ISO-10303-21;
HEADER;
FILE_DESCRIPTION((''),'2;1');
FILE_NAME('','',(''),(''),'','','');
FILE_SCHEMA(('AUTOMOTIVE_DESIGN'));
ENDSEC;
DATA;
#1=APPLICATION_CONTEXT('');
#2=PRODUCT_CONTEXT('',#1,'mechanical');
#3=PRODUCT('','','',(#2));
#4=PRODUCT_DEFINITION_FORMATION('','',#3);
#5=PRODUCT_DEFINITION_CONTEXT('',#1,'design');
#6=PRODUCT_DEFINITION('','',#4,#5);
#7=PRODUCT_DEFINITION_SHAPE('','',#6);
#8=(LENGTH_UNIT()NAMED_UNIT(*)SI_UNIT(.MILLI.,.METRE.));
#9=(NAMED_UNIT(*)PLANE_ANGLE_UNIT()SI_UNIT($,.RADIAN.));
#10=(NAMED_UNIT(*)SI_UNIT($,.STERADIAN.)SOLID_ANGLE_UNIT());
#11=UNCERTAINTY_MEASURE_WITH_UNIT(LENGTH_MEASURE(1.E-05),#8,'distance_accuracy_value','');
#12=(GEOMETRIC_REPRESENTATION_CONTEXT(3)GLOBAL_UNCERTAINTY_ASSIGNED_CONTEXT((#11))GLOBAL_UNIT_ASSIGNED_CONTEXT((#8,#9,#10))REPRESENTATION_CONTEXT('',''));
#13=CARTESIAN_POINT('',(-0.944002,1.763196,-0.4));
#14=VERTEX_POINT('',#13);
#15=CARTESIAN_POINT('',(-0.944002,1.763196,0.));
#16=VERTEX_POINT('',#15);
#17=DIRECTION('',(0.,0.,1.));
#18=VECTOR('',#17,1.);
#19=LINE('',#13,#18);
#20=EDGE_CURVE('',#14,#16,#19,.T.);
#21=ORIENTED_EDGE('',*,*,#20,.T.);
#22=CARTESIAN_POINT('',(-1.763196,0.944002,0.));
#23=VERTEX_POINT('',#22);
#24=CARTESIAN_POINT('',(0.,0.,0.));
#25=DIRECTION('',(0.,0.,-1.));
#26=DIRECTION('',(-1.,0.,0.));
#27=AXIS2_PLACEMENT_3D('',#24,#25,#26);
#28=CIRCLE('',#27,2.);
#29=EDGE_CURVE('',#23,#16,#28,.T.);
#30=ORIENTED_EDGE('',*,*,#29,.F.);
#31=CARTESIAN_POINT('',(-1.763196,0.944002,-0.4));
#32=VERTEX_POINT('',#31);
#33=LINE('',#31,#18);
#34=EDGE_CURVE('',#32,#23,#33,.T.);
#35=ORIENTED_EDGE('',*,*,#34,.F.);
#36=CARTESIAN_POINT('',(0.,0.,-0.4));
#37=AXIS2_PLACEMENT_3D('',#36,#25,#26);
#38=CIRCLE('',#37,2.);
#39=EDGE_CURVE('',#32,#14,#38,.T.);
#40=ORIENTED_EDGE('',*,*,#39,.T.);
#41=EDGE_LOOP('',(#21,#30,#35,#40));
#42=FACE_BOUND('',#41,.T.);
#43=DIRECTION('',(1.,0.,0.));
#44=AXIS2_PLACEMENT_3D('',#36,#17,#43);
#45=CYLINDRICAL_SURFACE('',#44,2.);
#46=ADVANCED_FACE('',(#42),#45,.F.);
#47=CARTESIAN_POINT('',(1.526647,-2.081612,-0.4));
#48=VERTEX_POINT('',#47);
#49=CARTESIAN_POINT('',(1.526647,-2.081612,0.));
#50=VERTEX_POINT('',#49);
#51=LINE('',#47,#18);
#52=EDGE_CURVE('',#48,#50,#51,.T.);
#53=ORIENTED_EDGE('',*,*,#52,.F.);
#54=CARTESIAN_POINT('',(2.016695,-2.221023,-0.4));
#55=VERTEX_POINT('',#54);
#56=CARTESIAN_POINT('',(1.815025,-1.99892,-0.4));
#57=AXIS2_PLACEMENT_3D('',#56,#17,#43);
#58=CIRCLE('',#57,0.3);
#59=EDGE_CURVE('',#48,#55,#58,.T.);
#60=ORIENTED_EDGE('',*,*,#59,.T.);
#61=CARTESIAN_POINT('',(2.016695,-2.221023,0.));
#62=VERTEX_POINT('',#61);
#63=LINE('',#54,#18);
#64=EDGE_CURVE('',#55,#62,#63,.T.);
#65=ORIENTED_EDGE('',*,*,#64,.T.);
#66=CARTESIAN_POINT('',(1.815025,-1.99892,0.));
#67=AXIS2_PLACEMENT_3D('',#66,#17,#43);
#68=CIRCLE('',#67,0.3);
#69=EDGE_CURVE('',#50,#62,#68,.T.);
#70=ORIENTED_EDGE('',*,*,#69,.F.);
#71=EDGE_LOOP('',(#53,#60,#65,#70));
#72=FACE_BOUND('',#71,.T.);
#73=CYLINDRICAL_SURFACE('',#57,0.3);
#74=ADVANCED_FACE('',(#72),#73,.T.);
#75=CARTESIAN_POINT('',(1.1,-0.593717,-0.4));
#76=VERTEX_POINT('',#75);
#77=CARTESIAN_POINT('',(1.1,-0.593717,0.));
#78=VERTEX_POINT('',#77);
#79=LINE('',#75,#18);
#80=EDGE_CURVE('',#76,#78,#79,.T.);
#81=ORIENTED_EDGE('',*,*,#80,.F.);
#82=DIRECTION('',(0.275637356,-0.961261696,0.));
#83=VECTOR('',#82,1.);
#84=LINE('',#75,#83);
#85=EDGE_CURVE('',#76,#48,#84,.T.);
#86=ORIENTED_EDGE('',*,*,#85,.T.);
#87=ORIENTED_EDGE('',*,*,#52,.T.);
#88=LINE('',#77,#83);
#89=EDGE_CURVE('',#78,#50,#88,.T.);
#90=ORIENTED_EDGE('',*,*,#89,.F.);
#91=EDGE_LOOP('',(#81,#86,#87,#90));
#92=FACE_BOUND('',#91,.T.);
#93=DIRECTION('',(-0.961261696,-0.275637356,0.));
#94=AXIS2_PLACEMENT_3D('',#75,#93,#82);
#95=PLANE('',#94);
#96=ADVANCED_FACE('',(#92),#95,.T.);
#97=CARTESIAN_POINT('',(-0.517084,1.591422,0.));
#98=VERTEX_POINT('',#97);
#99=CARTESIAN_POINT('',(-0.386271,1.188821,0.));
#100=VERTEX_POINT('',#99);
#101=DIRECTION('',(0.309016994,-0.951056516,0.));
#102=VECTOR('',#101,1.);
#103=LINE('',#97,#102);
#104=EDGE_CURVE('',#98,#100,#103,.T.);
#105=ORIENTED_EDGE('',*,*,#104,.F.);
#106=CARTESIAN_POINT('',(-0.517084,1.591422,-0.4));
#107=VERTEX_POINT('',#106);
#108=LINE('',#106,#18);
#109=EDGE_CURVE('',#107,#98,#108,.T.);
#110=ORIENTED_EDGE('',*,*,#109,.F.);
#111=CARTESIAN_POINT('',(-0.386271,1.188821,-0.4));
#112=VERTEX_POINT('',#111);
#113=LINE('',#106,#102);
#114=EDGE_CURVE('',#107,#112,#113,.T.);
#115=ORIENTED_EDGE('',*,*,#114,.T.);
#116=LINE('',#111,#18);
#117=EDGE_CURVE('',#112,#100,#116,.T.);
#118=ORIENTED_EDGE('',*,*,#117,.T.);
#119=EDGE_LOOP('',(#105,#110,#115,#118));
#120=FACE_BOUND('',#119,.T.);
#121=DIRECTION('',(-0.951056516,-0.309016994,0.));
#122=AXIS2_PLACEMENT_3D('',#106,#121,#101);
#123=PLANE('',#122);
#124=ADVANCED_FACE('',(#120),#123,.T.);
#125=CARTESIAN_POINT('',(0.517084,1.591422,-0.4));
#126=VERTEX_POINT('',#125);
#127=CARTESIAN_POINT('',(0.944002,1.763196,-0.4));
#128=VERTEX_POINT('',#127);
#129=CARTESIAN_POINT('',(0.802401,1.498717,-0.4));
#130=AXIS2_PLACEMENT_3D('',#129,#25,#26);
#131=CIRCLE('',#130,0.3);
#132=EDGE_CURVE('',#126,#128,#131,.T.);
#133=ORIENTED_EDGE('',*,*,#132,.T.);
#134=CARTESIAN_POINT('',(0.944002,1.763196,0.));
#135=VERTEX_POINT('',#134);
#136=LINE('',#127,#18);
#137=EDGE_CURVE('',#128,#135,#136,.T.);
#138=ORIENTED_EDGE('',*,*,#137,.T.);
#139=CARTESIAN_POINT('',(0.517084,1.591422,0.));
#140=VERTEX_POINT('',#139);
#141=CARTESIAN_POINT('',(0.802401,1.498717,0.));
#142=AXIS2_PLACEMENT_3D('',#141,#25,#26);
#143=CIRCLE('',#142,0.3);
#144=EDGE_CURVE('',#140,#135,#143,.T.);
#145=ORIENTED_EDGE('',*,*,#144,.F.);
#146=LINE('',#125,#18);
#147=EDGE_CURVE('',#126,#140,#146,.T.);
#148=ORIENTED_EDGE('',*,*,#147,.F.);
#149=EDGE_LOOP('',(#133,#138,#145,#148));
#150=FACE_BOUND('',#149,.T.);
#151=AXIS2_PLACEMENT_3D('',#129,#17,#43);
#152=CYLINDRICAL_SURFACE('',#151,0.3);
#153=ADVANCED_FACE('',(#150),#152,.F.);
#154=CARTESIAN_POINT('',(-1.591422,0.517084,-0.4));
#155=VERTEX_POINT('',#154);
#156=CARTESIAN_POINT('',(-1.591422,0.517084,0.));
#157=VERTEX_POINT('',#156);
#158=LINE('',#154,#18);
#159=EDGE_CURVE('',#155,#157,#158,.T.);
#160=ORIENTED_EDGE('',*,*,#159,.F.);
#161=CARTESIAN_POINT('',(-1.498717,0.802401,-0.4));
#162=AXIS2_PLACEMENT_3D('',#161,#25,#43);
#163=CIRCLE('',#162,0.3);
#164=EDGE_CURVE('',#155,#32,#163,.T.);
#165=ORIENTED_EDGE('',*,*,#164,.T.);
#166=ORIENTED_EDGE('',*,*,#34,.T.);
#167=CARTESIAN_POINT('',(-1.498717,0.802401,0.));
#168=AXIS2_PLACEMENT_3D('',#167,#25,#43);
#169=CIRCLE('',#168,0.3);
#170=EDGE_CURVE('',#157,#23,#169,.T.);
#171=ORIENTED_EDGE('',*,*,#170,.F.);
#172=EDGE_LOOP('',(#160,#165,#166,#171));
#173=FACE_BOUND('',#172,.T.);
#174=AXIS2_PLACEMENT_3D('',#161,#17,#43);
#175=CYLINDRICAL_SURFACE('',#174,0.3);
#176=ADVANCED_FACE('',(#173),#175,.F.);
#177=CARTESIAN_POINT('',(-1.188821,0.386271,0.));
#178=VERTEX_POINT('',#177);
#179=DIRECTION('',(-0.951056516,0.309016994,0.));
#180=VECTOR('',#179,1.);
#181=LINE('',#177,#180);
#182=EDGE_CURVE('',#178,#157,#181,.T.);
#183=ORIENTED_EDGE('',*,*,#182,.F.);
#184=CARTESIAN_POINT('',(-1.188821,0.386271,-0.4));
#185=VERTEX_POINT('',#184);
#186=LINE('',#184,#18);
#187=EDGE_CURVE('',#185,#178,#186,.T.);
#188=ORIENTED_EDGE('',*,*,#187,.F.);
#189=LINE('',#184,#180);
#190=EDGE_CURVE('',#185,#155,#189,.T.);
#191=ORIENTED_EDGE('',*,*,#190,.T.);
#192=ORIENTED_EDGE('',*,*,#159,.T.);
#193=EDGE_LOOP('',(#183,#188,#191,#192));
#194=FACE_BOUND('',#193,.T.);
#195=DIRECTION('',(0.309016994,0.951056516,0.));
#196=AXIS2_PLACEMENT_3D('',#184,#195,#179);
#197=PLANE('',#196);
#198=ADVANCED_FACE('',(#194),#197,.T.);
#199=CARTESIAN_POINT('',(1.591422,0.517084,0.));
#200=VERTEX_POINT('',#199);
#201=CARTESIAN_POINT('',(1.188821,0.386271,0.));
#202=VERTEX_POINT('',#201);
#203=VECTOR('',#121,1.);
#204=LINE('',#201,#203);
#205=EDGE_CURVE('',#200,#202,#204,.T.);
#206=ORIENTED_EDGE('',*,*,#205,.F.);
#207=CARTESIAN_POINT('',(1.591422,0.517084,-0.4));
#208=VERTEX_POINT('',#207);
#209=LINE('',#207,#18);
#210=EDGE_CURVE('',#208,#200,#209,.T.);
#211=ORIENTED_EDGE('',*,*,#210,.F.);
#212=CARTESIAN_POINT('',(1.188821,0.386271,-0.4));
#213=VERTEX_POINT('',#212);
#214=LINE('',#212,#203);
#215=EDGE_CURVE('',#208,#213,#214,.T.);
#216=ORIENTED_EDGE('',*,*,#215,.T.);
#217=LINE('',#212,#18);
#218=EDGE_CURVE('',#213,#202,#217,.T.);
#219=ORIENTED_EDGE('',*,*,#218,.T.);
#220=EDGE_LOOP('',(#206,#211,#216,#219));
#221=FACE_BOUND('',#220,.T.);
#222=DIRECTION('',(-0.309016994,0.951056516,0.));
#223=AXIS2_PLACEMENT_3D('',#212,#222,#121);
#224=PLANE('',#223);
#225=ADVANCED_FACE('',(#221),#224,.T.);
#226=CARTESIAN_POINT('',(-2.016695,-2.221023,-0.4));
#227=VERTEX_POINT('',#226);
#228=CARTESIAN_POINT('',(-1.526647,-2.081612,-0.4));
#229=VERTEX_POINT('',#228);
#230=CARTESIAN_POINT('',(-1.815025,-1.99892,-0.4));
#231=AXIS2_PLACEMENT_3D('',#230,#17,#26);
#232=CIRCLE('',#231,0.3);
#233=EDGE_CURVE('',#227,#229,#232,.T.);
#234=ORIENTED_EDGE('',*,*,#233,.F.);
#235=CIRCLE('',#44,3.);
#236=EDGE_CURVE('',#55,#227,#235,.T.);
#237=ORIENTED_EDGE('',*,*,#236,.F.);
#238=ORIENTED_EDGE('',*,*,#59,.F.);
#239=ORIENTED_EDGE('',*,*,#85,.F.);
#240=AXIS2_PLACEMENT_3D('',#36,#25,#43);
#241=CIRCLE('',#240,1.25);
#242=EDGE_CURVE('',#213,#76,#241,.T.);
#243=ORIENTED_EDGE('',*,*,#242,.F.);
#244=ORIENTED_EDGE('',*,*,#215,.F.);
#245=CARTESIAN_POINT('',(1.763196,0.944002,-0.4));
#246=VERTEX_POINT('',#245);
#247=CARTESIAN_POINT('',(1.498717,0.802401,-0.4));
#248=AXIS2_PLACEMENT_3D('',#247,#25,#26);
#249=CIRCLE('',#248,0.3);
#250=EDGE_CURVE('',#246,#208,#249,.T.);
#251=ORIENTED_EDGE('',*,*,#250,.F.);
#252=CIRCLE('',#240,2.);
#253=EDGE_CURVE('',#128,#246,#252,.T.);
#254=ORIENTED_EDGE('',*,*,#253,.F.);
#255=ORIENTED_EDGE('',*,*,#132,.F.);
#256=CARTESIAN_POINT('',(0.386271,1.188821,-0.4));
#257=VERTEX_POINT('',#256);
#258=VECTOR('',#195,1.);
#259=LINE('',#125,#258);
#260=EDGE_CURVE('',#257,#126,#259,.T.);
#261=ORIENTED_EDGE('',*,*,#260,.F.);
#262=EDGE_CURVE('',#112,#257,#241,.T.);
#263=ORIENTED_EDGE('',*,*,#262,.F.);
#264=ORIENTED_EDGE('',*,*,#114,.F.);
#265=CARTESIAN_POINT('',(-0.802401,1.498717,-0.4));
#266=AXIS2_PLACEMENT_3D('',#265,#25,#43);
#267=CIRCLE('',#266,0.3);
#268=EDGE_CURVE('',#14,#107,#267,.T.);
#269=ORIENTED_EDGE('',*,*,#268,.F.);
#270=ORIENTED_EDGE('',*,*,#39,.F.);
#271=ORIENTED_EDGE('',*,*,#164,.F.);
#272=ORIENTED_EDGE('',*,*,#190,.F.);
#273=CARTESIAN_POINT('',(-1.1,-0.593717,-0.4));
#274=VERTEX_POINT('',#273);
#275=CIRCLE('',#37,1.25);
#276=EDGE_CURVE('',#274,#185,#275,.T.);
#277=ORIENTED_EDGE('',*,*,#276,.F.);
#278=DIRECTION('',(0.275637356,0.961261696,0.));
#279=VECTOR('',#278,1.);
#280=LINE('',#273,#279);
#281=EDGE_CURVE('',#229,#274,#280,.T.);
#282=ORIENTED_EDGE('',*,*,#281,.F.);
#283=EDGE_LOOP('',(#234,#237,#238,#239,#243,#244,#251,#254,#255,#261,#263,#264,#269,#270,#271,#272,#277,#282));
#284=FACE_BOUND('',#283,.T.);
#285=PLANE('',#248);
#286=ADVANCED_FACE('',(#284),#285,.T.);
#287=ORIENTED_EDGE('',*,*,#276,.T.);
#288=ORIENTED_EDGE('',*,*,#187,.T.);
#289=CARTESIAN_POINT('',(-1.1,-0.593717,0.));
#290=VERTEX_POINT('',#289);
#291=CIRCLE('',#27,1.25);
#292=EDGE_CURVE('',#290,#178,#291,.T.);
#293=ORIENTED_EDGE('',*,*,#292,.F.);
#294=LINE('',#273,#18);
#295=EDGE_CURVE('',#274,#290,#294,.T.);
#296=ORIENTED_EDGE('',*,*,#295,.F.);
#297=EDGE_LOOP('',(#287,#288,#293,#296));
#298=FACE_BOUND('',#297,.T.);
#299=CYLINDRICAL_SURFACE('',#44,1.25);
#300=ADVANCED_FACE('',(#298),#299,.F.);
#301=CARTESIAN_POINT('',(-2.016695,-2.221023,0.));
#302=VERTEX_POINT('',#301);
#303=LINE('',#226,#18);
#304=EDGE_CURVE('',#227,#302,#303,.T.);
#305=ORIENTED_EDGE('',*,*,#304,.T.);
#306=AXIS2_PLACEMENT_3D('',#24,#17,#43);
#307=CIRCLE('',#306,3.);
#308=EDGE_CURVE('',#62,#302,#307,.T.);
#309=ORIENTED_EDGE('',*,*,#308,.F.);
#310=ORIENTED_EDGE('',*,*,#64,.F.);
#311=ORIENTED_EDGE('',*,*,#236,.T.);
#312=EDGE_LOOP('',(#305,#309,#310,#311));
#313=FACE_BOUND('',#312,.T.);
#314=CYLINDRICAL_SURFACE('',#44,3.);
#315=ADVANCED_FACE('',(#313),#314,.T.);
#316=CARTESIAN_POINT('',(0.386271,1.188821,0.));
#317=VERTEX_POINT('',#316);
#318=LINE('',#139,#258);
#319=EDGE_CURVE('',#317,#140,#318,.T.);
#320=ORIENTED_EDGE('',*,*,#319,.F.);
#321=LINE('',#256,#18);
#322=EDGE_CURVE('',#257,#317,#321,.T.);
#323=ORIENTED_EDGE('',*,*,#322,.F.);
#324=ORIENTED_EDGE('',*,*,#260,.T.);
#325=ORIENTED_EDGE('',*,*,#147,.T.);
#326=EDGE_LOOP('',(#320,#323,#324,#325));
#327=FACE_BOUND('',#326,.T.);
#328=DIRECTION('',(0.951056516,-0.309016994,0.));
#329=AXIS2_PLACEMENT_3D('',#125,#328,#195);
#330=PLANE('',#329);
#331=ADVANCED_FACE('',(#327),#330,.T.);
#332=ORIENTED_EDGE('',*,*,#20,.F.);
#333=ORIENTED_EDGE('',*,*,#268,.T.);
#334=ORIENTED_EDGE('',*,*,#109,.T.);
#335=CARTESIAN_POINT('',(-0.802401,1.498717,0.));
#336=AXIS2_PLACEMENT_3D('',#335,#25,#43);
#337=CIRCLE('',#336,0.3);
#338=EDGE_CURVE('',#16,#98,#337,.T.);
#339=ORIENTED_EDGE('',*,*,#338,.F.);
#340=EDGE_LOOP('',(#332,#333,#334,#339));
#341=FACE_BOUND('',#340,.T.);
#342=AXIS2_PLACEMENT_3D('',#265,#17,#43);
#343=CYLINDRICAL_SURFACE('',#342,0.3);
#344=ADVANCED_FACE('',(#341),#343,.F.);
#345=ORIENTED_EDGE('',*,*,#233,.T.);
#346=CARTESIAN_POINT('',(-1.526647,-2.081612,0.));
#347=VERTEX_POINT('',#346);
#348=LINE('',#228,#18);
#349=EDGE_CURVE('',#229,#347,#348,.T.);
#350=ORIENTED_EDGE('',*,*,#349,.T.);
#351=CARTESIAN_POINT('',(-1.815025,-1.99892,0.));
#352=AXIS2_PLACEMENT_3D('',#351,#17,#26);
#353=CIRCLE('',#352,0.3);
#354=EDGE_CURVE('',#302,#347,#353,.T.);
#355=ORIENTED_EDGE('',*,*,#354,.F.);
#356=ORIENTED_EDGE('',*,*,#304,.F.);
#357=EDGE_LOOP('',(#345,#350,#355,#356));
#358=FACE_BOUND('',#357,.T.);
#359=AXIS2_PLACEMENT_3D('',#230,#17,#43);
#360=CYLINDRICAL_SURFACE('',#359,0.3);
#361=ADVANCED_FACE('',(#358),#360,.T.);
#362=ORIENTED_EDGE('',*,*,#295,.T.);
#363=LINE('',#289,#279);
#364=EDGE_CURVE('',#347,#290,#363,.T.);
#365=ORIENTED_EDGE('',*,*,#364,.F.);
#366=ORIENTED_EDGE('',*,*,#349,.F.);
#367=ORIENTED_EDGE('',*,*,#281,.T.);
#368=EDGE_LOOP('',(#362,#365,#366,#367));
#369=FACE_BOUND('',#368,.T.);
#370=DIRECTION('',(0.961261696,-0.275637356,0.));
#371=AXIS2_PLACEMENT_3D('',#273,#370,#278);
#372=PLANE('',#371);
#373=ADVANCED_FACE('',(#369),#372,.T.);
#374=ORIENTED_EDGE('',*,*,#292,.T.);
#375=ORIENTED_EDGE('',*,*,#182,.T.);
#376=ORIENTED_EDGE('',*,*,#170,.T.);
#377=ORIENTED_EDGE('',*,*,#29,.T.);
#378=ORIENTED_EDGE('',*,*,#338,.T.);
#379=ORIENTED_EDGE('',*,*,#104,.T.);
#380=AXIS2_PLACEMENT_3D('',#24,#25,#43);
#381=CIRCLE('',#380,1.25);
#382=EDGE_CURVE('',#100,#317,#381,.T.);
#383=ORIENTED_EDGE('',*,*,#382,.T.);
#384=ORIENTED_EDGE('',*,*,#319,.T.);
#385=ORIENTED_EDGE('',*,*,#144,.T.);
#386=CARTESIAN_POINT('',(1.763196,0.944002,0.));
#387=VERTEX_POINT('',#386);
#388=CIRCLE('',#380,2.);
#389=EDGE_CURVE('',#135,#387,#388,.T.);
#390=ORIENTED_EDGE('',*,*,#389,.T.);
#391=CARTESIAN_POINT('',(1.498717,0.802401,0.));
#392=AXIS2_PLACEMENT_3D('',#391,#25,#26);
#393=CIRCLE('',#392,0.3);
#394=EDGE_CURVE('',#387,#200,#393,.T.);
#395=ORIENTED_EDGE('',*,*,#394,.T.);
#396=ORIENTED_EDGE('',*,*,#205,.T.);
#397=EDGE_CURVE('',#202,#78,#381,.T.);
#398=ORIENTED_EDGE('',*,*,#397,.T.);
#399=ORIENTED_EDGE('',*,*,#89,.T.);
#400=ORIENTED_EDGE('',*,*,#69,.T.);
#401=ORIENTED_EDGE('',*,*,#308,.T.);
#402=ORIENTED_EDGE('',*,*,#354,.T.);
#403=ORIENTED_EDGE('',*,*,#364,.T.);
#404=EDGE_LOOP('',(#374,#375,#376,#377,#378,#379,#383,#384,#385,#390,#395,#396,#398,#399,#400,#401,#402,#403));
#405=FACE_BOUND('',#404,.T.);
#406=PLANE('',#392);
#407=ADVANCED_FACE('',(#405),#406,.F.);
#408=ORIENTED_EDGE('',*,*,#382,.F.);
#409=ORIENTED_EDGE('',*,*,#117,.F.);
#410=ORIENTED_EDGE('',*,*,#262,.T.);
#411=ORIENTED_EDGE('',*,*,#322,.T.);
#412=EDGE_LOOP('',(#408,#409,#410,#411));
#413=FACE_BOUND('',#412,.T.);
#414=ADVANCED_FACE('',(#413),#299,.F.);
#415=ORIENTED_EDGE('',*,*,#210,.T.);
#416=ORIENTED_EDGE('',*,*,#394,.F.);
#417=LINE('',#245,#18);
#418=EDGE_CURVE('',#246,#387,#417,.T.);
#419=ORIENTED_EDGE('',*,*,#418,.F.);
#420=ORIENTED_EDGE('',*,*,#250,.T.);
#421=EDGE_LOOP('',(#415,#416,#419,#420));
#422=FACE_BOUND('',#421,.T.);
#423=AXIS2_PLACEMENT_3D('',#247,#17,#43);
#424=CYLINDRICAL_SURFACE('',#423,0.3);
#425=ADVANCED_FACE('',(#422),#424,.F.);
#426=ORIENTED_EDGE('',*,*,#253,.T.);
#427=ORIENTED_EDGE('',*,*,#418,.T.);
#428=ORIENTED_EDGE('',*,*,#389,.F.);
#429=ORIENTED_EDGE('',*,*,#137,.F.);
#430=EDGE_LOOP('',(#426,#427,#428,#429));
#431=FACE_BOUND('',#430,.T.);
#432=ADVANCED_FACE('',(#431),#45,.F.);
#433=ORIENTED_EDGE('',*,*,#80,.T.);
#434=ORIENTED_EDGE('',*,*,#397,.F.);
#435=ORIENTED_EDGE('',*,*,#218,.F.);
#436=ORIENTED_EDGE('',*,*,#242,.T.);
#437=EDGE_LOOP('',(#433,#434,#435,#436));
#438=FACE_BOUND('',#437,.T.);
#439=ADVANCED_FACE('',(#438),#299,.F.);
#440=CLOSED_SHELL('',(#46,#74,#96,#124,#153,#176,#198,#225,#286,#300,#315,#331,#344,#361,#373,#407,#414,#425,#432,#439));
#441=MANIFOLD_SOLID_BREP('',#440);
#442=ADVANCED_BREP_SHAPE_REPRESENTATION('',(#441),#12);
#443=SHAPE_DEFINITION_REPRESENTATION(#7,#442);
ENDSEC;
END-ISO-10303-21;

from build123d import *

# Parameters (mm, degrees)
BODY_DEPTH = 0.4


with BuildPart() as part:
    # Sketch1 → Body (new body)
    with BuildSketch(Plane.XY):
        with BuildLine():
            Line((0.517084333, 1.59142194), (0.386271243, 1.188820645))
            ThreePointArc((0.386271243, 1.188820645), (0, 1.25), (-0.386271243, 1.188820645))
            Line((-0.386271243, 1.188820645), (-0.517084333, 1.59142194))
            ThreePointArc((-0.517084333, 1.59142194), (-0.690418116, 1.777032794), (-0.944001516, 1.763196285))
            ThreePointArc((-0.944001516, 1.763196285), (-1.414213562, 1.414213562), (-1.763196285, 0.944001516))
            ThreePointArc((-1.763196285, 0.944001516), (-1.777032794, 0.690418116), (-1.59142194, 0.517084333))
            Line((-1.59142194, 0.517084333), (-1.188820645, 0.386271243))
            ThreePointArc((-1.188820645, 0.386271243), (-1.244897296, -0.112830506), (-1.1, -0.593717104))
            Line((-1.1, -0.593717104), (-1.526646887, -2.081611619))
            ThreePointArc((-1.526646887, -2.081611619), (-1.732937183, -2.287471145), (-2.016694884, -2.22102268))
            ThreePointArc((-2.016694884, -2.22102268), (0, 3), (2.016694884, -2.22102268))
            ThreePointArc((2.016694884, -2.22102268), (1.732937183, -2.287471145), (1.526646887, -2.081611619))
            Line((1.526646887, -2.081611619), (1.1, -0.593717104))
            ThreePointArc((1.1, -0.593717104), (1.244897296, -0.112830506), (1.188820645, 0.386271243))
            Line((1.188820645, 0.386271243), (1.59142194, 0.517084333))
            ThreePointArc((1.59142194, 0.517084333), (1.777032794, 0.690418116), (1.763196285, 0.944001516))
            ThreePointArc((1.763196285, 0.944001516), (1.414213562, 1.414213562), (0.944001516, 1.763196285))
            ThreePointArc((0.944001516, 1.763196285), (0.690418116, 1.777032794), (0.517084333, 1.59142194))
        make_face()
    extrude(amount=-BODY_DEPTH)


solid = part.part
